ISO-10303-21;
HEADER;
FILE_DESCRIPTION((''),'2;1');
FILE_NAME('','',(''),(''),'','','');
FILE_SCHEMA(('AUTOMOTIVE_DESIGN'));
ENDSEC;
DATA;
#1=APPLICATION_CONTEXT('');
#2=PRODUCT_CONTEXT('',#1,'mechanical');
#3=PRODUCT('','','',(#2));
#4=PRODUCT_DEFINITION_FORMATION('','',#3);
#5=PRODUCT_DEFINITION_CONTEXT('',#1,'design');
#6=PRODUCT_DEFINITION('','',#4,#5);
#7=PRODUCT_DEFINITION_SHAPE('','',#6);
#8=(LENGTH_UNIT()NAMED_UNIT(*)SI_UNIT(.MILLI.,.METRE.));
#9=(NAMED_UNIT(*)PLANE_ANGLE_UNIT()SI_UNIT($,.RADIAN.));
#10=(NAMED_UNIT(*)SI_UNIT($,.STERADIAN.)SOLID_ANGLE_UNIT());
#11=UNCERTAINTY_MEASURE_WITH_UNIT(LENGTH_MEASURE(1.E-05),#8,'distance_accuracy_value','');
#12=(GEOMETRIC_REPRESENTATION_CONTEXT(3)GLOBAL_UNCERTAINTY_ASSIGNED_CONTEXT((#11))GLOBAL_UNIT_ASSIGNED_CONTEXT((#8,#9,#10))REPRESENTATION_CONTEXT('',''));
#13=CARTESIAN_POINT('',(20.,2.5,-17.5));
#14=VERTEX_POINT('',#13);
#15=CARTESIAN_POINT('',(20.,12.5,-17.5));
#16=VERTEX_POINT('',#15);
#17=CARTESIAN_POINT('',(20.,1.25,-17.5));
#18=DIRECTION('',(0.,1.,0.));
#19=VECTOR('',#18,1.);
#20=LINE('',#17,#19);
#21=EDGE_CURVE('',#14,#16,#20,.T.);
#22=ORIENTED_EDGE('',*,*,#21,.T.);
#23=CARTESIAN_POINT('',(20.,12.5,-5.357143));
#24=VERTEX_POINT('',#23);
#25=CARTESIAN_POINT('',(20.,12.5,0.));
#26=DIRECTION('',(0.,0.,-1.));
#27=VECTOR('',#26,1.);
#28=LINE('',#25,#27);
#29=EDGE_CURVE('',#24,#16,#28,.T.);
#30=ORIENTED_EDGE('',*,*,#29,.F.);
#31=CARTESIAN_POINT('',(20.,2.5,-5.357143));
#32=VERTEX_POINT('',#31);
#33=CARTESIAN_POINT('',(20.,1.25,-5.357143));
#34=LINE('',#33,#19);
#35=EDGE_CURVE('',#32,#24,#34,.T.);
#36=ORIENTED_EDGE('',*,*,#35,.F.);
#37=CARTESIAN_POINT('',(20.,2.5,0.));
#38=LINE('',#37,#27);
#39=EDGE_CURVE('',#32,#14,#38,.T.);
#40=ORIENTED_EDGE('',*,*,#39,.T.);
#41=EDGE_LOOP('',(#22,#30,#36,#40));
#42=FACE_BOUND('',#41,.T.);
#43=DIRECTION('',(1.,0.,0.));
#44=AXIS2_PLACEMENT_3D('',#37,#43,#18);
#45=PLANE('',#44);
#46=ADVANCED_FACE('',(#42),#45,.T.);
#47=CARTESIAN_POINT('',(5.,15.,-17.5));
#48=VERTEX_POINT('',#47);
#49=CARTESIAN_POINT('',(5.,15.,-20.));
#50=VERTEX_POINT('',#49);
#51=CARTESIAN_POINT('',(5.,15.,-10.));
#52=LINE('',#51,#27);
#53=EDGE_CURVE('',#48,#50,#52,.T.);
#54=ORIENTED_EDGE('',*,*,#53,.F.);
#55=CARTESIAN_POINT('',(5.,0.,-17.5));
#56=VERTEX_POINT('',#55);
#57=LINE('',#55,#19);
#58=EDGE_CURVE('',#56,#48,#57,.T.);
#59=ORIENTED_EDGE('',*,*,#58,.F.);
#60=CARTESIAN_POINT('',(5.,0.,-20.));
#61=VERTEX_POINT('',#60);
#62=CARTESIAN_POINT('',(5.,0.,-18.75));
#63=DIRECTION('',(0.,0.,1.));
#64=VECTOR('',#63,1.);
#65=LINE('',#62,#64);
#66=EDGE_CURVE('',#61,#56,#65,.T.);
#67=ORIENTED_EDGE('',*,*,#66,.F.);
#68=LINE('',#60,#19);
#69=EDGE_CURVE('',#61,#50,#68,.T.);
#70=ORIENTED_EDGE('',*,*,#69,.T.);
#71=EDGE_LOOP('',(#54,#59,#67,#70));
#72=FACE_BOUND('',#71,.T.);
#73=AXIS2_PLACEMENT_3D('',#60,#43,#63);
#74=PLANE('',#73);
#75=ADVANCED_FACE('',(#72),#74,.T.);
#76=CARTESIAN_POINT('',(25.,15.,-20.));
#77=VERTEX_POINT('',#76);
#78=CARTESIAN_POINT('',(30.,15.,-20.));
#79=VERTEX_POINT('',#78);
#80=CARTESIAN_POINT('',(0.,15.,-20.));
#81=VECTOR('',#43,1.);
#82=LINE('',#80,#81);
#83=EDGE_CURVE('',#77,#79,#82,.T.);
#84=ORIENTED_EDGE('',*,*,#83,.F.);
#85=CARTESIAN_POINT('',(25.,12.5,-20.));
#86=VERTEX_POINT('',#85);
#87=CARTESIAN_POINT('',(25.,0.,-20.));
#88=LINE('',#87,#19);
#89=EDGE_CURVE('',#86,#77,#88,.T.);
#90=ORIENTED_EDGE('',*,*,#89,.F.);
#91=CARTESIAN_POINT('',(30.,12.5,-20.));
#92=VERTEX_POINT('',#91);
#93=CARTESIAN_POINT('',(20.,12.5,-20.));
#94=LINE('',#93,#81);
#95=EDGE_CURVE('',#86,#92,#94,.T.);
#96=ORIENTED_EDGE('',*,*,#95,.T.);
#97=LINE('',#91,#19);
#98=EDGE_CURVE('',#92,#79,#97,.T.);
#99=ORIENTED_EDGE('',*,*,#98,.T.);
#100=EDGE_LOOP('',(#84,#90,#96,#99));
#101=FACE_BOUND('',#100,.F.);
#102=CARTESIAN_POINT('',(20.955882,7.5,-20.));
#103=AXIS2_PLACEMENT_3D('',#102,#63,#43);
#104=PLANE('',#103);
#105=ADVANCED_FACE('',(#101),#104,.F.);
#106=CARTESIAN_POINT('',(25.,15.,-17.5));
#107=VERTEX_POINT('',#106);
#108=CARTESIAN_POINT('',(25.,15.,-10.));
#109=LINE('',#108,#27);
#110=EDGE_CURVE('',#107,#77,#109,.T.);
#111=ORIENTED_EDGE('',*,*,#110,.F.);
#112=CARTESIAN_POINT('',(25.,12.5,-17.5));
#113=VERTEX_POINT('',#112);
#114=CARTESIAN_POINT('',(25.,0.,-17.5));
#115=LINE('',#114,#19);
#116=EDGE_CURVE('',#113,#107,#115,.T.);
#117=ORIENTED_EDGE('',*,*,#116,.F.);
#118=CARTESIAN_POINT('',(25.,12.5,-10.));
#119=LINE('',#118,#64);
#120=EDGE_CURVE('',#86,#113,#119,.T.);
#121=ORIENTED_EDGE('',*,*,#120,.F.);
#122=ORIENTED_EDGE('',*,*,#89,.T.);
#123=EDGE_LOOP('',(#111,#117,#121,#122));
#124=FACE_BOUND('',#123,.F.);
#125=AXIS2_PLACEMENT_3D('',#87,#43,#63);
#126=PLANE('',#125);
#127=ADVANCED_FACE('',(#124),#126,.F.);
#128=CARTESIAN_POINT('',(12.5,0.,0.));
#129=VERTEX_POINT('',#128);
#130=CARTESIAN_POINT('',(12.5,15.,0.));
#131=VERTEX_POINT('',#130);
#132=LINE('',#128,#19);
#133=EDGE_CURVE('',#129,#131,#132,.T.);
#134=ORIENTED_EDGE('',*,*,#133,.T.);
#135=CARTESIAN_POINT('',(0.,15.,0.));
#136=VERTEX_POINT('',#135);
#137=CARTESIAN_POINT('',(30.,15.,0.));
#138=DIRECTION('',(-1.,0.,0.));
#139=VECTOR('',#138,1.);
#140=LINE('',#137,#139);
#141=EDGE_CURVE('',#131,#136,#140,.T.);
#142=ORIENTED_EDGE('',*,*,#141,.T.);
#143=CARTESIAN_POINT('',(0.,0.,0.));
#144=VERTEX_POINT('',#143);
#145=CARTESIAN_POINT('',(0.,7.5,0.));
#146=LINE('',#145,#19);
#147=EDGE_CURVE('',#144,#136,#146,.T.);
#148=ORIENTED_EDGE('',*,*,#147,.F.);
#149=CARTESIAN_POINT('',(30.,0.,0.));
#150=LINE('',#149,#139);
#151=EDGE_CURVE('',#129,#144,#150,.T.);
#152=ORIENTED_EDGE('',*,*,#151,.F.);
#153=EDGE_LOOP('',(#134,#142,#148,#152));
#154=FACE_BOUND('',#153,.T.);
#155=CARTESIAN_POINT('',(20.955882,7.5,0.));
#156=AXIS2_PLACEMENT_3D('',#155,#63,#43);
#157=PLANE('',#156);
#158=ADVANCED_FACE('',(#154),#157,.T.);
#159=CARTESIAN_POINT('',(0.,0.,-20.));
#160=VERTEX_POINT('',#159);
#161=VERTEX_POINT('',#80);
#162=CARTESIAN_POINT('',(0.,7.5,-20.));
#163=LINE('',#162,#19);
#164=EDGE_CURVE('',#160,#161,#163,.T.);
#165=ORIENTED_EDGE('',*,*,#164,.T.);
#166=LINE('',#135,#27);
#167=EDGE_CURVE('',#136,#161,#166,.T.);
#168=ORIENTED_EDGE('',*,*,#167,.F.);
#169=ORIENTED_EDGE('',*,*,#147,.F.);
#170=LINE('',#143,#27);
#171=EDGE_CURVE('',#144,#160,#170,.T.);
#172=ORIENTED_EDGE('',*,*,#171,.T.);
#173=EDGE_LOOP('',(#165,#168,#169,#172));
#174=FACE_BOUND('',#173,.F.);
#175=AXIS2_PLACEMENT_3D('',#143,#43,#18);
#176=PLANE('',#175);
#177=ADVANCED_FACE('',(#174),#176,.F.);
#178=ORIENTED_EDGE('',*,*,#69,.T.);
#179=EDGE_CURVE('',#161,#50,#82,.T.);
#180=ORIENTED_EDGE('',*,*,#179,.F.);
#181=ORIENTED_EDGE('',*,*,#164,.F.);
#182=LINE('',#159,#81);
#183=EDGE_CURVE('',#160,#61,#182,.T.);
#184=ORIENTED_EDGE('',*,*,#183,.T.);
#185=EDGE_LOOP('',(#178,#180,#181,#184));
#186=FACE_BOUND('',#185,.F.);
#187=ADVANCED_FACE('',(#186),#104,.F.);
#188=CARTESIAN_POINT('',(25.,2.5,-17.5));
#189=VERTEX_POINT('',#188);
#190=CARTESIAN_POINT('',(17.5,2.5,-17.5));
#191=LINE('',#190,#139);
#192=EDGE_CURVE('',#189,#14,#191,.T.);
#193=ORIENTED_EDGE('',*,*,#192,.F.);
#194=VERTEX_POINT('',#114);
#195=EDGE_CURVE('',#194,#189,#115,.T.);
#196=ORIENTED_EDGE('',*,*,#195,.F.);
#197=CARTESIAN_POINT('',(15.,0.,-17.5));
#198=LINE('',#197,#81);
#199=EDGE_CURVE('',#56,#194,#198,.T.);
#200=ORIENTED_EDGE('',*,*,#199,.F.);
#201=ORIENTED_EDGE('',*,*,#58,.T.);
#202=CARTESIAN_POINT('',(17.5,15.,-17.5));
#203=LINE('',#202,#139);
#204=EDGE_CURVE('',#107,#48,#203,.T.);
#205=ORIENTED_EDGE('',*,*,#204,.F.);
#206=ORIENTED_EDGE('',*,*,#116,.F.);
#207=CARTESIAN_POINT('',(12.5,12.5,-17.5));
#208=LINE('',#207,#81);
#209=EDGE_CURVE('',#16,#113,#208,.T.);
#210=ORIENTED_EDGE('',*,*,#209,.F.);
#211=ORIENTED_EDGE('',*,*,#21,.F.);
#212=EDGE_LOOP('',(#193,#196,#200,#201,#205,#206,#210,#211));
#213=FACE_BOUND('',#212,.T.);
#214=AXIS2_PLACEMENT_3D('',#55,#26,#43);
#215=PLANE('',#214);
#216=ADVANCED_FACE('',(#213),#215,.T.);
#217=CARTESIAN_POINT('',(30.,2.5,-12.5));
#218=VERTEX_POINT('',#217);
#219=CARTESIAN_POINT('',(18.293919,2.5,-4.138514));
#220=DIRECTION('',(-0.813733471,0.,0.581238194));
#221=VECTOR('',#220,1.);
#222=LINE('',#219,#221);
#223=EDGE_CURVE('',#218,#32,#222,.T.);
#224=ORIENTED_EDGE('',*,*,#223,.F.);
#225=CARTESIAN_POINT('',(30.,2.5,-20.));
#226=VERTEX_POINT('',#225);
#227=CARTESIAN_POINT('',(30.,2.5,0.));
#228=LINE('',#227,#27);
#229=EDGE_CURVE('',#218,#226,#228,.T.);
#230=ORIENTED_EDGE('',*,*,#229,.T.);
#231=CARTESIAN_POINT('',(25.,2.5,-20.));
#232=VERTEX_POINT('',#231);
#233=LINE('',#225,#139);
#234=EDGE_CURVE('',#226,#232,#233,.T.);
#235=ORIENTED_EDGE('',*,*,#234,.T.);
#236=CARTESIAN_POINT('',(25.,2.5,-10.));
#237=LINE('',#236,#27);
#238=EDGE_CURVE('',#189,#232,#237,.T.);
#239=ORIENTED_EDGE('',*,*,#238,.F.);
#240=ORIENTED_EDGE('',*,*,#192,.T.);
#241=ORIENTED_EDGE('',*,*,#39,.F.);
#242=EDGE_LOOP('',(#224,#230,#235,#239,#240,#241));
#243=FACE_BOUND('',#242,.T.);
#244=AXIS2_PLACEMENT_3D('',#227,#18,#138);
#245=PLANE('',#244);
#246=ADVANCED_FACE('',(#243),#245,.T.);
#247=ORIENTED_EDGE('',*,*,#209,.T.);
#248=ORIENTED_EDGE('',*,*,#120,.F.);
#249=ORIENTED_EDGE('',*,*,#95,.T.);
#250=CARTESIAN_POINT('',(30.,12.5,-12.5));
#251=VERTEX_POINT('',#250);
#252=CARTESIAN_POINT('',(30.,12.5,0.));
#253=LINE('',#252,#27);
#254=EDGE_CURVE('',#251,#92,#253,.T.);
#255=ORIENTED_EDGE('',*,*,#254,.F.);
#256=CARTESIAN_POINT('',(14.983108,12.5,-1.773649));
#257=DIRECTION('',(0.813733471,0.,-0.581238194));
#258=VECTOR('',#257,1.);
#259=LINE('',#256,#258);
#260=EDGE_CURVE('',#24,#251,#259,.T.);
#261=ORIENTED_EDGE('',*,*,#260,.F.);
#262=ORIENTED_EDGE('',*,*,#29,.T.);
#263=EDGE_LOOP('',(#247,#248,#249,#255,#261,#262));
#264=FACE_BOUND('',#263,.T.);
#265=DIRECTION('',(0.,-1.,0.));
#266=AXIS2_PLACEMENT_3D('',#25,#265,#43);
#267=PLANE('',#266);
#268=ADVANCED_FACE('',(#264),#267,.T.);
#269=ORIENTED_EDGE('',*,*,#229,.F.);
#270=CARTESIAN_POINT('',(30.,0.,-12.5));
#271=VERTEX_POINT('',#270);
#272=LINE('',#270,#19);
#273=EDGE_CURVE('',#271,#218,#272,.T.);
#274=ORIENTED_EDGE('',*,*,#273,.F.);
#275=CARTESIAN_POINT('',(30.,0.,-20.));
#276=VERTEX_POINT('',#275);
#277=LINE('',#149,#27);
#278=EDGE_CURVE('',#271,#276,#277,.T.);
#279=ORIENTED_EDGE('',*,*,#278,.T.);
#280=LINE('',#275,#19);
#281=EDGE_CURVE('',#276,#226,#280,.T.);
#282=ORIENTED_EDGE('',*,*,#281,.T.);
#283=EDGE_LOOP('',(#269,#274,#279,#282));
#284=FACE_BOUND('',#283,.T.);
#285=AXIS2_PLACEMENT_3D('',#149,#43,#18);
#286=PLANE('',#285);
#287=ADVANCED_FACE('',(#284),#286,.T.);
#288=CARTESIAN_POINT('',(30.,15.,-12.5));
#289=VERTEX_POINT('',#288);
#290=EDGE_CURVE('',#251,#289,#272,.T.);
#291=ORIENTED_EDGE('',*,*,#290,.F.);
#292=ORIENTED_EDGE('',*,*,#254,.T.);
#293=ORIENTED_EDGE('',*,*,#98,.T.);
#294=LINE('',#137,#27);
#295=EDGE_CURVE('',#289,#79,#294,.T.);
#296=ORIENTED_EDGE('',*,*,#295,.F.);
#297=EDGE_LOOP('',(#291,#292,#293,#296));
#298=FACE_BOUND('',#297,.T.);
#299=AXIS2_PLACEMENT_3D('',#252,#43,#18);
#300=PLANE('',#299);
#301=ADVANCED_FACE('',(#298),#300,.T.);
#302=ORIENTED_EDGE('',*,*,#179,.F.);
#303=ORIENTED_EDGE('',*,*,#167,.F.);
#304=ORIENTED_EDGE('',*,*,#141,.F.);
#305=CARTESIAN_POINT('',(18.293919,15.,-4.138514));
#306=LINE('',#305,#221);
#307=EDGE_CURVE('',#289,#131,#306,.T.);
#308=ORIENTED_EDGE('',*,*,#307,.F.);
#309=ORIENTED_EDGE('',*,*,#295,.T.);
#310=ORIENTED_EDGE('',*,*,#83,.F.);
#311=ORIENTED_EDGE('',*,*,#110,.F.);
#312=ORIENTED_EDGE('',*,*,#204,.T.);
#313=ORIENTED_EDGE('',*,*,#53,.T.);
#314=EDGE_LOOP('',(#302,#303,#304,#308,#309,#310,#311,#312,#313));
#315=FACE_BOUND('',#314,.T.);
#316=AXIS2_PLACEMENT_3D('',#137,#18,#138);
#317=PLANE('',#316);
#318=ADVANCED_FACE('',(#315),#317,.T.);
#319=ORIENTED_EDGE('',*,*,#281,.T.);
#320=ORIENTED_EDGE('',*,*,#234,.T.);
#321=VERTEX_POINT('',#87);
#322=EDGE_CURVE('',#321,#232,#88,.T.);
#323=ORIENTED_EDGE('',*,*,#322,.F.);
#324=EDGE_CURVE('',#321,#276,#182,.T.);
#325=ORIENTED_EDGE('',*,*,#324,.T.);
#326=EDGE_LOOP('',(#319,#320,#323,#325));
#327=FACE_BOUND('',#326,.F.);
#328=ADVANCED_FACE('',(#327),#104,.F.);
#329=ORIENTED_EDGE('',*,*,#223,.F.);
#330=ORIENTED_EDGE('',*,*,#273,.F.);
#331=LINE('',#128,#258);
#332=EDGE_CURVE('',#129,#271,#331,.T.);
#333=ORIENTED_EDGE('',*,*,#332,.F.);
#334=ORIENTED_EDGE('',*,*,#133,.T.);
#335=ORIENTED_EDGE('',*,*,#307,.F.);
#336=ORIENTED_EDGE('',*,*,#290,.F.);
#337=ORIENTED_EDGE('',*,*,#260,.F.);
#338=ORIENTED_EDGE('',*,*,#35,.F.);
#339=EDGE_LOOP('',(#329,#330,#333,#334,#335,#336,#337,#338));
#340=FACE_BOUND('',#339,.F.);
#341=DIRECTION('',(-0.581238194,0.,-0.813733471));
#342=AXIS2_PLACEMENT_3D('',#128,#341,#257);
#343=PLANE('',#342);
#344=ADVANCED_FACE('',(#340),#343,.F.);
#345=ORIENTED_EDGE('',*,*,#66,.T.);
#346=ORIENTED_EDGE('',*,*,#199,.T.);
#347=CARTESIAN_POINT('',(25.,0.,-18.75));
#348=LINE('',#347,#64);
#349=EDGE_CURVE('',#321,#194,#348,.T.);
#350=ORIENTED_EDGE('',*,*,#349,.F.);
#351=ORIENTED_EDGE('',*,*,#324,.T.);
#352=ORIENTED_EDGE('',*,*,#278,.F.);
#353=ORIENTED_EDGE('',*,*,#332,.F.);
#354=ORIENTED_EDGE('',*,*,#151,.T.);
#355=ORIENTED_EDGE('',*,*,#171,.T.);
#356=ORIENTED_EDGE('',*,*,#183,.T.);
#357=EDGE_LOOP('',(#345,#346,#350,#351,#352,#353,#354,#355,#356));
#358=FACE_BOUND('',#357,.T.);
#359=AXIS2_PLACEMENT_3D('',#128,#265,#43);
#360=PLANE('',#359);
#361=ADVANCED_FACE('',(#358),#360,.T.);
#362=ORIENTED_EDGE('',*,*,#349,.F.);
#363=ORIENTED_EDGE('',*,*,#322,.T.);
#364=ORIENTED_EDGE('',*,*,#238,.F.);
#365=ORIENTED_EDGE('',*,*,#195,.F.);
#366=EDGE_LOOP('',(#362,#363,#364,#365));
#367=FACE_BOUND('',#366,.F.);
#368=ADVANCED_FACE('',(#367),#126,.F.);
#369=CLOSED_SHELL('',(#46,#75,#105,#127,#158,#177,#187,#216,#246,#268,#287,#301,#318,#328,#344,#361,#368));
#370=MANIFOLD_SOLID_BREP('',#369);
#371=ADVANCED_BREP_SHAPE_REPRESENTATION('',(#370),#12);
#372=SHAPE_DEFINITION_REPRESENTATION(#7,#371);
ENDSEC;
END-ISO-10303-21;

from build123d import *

# Parameters (mm, degrees)
F0_W     = 12.5
F0_H     = 15
F1_DEPTH = 20
F2_DEPTH = 20
F4_DEPTH = 15.001
F3_W     = 20
F3_H     = 2.5
F5_DEPTH = 15.001


with BuildPart() as f1:
    # F0 (on Top) → F1 (new body)
    with BuildSketch(Plane.XY):
        with Locations((6.25, 7.5)):
            Rectangle(F0_W, F0_H)
    extrude(amount=-F1_DEPTH)

    # F0 (on Top) → F2 (join)
    with BuildSketch(Plane.XY):
        Polygon((12.5, 15), (12.5, 0), (20, 0), (30, 0), (30, 2.5), (20, 2.5), (20, 12.5), (30, 12.5), (30, 15), (20, 15), align=None)
    extrude(amount=-F2_DEPTH)

    # F3 (on face) → F4 (cut, through all)
    with BuildSketch(Plane.XZ):
        Polygon((30, 0), (12.5, 0), (30, -12.5), align=None)
    extrude(amount=-F4_DEPTH, mode=Mode.SUBTRACT)

    # F3 (on face) → F5 (cut, through all)
    with BuildSketch(Plane.XZ):
        with Locations((15, -18.75)):
            Rectangle(F3_W, F3_H)
    extrude(amount=-F5_DEPTH, mode=Mode.SUBTRACT)


solid = f1.part
